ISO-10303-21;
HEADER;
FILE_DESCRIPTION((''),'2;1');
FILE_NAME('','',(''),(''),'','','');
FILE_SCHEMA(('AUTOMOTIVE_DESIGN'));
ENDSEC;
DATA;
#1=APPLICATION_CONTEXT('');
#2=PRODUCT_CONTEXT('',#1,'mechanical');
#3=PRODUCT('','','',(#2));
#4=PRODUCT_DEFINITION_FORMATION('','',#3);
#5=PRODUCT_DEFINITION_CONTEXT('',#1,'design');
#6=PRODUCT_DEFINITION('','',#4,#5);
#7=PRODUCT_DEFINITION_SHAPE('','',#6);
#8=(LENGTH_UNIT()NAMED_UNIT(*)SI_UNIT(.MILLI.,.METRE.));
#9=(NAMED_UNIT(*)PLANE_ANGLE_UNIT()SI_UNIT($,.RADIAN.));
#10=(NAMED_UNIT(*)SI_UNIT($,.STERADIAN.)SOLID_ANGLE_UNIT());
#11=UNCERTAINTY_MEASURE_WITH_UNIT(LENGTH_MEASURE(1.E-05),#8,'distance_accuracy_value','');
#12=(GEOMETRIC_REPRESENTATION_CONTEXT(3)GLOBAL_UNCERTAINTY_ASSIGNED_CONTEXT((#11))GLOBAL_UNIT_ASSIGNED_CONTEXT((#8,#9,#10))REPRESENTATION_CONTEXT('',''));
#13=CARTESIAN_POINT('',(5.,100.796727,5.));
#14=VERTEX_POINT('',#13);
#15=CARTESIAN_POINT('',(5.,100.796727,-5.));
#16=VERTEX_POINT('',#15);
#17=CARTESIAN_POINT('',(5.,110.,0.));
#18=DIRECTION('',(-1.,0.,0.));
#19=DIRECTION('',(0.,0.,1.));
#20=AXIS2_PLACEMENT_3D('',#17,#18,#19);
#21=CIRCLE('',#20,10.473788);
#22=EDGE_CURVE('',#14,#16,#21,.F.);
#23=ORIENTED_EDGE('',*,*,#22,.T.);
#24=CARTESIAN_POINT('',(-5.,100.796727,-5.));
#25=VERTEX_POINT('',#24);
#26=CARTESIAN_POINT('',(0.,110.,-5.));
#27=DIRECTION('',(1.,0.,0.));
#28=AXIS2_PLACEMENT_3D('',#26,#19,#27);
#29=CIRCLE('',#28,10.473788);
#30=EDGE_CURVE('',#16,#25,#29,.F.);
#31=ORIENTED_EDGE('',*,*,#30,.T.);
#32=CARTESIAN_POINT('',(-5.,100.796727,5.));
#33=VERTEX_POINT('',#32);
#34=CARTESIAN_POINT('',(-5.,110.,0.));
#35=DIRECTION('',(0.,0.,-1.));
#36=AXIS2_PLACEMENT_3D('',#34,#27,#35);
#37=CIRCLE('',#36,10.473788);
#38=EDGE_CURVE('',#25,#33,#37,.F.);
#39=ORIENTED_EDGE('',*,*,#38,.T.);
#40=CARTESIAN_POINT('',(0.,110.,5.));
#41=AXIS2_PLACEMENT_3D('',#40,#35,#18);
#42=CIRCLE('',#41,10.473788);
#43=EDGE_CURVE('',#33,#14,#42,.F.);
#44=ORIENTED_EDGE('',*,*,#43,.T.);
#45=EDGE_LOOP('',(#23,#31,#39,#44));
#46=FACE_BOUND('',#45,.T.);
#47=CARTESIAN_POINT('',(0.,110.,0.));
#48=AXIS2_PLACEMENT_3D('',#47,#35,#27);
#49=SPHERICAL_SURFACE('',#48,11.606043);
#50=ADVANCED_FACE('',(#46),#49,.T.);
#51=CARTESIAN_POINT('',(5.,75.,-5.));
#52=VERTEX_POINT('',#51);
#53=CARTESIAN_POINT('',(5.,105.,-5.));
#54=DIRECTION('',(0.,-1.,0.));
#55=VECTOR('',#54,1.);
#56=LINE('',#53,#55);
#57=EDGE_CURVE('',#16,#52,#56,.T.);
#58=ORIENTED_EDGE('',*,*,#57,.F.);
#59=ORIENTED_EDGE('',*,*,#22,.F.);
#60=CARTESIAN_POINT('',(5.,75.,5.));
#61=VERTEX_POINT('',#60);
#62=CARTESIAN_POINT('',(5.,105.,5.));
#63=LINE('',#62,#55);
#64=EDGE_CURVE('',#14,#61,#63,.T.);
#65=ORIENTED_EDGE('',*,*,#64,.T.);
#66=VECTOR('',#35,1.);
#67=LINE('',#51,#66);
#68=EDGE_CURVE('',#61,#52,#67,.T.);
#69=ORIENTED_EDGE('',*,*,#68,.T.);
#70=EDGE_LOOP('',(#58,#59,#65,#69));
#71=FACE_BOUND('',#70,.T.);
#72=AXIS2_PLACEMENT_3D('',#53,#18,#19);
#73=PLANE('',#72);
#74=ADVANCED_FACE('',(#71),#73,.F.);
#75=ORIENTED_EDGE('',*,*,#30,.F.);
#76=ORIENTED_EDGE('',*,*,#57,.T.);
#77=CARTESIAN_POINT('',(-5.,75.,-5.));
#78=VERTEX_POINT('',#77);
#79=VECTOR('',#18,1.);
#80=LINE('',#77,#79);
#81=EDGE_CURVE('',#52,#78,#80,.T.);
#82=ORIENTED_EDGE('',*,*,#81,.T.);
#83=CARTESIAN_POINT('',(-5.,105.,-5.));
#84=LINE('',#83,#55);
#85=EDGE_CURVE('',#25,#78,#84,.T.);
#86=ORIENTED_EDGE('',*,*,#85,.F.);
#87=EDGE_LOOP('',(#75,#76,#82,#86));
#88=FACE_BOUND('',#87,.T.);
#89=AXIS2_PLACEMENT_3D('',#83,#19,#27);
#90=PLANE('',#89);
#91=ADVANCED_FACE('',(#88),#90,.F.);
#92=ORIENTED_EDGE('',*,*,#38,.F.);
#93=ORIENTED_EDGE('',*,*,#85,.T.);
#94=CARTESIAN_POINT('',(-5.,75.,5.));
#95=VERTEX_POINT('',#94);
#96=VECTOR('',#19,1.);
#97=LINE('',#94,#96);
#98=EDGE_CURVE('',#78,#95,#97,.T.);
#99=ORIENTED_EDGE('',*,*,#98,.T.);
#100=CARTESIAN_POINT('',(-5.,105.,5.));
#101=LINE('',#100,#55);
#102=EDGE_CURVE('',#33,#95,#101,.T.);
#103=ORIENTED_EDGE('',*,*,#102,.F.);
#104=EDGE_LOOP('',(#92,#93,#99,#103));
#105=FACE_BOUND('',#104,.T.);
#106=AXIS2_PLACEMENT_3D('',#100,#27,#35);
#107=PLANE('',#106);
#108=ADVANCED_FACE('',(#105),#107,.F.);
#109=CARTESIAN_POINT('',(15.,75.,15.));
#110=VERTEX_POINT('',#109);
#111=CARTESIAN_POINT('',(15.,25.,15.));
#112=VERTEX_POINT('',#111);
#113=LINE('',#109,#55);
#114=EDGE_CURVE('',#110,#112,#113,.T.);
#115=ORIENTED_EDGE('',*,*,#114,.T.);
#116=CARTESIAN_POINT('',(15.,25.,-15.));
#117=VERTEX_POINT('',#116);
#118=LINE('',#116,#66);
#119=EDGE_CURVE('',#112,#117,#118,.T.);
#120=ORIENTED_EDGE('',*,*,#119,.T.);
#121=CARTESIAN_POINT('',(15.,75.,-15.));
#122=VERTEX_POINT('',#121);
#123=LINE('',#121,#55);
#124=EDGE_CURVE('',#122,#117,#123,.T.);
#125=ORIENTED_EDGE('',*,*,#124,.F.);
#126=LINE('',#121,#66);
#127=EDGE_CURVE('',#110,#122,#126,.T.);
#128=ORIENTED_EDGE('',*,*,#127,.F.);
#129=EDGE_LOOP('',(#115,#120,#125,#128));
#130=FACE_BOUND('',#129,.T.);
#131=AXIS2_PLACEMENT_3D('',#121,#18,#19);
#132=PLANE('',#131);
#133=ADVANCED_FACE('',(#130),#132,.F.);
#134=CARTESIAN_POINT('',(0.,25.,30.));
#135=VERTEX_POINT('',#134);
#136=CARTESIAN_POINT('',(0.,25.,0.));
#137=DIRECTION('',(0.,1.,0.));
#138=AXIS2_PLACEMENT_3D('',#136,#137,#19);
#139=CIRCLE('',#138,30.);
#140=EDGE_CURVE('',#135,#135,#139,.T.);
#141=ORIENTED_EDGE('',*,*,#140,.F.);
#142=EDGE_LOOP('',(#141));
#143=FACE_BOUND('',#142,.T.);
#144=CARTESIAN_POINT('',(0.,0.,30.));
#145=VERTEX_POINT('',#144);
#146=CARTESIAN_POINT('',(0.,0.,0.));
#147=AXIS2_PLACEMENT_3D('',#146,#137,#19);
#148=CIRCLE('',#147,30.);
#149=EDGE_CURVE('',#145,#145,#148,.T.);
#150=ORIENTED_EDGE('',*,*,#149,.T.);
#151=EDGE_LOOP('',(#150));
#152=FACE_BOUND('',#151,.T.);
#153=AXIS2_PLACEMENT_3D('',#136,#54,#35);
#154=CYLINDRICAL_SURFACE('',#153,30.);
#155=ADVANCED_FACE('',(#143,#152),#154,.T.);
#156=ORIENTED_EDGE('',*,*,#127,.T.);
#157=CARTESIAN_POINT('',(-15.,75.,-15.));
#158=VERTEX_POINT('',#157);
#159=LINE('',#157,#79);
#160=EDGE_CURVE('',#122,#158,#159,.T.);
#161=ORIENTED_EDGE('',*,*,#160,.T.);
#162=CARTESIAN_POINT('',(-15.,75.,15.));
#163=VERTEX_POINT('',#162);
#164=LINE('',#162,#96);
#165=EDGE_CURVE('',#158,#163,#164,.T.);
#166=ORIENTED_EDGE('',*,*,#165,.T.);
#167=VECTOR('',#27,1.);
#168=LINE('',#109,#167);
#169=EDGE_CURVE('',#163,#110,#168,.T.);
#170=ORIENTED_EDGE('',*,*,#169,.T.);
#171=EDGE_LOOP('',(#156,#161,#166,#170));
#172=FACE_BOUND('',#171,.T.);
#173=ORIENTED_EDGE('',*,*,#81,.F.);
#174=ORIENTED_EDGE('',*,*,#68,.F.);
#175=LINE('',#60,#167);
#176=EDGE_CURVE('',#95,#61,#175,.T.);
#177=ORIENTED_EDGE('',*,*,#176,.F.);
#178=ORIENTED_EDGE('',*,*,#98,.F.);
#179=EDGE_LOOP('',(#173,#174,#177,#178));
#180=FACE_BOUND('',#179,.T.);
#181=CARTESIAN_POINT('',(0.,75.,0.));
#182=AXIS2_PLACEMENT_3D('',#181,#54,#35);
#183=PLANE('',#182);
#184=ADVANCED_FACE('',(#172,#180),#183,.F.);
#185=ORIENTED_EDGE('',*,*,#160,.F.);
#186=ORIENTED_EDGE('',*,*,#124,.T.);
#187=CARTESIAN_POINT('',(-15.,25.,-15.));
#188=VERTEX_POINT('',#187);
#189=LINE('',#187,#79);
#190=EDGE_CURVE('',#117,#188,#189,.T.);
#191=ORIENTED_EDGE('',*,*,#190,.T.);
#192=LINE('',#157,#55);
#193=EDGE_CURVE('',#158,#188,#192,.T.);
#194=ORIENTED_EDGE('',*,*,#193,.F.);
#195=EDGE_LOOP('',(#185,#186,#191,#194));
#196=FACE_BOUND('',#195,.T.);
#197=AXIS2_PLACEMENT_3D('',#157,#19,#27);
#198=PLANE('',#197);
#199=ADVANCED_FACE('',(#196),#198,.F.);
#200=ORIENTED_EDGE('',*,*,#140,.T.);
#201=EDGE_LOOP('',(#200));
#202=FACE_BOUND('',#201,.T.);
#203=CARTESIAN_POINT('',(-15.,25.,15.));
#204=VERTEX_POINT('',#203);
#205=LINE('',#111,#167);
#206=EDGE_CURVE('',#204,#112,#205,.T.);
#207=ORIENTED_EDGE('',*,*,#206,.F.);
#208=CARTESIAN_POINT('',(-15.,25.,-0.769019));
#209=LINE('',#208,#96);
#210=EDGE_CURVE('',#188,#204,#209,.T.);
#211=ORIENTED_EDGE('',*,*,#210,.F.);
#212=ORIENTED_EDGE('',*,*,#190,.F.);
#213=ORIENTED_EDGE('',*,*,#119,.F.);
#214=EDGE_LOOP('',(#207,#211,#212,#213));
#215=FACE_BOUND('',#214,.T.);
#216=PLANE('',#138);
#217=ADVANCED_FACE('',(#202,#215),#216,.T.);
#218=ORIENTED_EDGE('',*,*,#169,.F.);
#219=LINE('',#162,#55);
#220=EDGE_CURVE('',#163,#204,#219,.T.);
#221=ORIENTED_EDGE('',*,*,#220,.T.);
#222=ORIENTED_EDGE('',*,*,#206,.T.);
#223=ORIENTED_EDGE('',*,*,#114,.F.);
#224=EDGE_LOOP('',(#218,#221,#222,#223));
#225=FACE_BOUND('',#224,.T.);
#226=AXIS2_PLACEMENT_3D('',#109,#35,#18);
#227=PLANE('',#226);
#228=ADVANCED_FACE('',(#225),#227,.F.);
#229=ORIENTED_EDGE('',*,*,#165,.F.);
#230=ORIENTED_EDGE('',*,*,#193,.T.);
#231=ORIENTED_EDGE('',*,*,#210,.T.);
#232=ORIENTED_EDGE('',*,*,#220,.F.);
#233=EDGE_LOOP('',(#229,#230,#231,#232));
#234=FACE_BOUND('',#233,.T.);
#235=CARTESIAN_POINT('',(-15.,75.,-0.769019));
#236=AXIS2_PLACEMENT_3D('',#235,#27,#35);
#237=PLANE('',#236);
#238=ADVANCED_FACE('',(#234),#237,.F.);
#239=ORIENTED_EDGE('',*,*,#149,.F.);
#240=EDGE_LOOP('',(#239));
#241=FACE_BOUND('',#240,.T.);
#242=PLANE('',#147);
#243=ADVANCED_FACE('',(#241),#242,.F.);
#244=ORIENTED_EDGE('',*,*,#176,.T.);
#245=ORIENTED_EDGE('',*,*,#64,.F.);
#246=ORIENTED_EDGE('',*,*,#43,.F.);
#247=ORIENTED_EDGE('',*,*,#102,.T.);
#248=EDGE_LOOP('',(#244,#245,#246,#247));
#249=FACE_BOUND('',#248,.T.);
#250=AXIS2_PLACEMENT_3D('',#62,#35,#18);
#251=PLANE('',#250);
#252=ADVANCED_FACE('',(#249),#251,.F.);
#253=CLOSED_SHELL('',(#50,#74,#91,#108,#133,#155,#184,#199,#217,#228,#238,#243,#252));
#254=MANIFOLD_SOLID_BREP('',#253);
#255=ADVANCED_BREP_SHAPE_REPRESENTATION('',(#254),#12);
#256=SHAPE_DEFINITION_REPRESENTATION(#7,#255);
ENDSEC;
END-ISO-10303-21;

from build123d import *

# Parameters (mm, degrees)
SKETCH1_R           = 30
BOSS_EXTRUDE1_DEPTH = 25
BOSS_EXTRUDE2_DEPTH = 50
SKETCH4_W           = 10
SKETCH4_H           = 10
BOSS_EXTRUDE3_DEPTH = 30


with BuildPart() as part:
    # Sketch1 → Boss-Extrude1 (new body)
    with BuildSketch(Plane(origin=(0, 0, 0), x_dir=(1, 0, 0), z_dir=(0, 1, 0))):
        Circle(SKETCH1_R)
    extrude(amount=BOSS_EXTRUDE1_DEPTH)

    # Sketch3 → Boss-Extrude2 (add)
    with BuildSketch(Plane(origin=(0, 25, 0), x_dir=(1, 0, 0), z_dir=(0, 1, 0))):
        Polygon((-15, 0.769018566), (-15, 15), (15, 15), (15, -15), (-15, -15), align=None)
    extrude(amount=BOSS_EXTRUDE2_DEPTH)

    # Sketch4 → Boss-Extrude3 (add)
    with BuildSketch(Plane(origin=(0, 75, 0), x_dir=(1, 0, 0), z_dir=(0, 1, 0))):
        Rectangle(SKETCH4_W, SKETCH4_H)
    extrude(amount=BOSS_EXTRUDE3_DEPTH)

    # Sketch7 → Revolve1 (revolve)
    with BuildSketch(Plane(origin=(0, 110, 0), x_dir=(1, 0, 0), z_dir=(0, 1, 0))):
        with BuildLine():
            Line((0, 11.606043258), (0, -11.606043258))
            ThreePointArc((0, -11.606043258), (11.606043258, 0), (0, 11.606043258))
        make_face()
    revolve(axis=Axis((0, 110, -11.606043258), (0, 0, 1)))


solid = part.part
